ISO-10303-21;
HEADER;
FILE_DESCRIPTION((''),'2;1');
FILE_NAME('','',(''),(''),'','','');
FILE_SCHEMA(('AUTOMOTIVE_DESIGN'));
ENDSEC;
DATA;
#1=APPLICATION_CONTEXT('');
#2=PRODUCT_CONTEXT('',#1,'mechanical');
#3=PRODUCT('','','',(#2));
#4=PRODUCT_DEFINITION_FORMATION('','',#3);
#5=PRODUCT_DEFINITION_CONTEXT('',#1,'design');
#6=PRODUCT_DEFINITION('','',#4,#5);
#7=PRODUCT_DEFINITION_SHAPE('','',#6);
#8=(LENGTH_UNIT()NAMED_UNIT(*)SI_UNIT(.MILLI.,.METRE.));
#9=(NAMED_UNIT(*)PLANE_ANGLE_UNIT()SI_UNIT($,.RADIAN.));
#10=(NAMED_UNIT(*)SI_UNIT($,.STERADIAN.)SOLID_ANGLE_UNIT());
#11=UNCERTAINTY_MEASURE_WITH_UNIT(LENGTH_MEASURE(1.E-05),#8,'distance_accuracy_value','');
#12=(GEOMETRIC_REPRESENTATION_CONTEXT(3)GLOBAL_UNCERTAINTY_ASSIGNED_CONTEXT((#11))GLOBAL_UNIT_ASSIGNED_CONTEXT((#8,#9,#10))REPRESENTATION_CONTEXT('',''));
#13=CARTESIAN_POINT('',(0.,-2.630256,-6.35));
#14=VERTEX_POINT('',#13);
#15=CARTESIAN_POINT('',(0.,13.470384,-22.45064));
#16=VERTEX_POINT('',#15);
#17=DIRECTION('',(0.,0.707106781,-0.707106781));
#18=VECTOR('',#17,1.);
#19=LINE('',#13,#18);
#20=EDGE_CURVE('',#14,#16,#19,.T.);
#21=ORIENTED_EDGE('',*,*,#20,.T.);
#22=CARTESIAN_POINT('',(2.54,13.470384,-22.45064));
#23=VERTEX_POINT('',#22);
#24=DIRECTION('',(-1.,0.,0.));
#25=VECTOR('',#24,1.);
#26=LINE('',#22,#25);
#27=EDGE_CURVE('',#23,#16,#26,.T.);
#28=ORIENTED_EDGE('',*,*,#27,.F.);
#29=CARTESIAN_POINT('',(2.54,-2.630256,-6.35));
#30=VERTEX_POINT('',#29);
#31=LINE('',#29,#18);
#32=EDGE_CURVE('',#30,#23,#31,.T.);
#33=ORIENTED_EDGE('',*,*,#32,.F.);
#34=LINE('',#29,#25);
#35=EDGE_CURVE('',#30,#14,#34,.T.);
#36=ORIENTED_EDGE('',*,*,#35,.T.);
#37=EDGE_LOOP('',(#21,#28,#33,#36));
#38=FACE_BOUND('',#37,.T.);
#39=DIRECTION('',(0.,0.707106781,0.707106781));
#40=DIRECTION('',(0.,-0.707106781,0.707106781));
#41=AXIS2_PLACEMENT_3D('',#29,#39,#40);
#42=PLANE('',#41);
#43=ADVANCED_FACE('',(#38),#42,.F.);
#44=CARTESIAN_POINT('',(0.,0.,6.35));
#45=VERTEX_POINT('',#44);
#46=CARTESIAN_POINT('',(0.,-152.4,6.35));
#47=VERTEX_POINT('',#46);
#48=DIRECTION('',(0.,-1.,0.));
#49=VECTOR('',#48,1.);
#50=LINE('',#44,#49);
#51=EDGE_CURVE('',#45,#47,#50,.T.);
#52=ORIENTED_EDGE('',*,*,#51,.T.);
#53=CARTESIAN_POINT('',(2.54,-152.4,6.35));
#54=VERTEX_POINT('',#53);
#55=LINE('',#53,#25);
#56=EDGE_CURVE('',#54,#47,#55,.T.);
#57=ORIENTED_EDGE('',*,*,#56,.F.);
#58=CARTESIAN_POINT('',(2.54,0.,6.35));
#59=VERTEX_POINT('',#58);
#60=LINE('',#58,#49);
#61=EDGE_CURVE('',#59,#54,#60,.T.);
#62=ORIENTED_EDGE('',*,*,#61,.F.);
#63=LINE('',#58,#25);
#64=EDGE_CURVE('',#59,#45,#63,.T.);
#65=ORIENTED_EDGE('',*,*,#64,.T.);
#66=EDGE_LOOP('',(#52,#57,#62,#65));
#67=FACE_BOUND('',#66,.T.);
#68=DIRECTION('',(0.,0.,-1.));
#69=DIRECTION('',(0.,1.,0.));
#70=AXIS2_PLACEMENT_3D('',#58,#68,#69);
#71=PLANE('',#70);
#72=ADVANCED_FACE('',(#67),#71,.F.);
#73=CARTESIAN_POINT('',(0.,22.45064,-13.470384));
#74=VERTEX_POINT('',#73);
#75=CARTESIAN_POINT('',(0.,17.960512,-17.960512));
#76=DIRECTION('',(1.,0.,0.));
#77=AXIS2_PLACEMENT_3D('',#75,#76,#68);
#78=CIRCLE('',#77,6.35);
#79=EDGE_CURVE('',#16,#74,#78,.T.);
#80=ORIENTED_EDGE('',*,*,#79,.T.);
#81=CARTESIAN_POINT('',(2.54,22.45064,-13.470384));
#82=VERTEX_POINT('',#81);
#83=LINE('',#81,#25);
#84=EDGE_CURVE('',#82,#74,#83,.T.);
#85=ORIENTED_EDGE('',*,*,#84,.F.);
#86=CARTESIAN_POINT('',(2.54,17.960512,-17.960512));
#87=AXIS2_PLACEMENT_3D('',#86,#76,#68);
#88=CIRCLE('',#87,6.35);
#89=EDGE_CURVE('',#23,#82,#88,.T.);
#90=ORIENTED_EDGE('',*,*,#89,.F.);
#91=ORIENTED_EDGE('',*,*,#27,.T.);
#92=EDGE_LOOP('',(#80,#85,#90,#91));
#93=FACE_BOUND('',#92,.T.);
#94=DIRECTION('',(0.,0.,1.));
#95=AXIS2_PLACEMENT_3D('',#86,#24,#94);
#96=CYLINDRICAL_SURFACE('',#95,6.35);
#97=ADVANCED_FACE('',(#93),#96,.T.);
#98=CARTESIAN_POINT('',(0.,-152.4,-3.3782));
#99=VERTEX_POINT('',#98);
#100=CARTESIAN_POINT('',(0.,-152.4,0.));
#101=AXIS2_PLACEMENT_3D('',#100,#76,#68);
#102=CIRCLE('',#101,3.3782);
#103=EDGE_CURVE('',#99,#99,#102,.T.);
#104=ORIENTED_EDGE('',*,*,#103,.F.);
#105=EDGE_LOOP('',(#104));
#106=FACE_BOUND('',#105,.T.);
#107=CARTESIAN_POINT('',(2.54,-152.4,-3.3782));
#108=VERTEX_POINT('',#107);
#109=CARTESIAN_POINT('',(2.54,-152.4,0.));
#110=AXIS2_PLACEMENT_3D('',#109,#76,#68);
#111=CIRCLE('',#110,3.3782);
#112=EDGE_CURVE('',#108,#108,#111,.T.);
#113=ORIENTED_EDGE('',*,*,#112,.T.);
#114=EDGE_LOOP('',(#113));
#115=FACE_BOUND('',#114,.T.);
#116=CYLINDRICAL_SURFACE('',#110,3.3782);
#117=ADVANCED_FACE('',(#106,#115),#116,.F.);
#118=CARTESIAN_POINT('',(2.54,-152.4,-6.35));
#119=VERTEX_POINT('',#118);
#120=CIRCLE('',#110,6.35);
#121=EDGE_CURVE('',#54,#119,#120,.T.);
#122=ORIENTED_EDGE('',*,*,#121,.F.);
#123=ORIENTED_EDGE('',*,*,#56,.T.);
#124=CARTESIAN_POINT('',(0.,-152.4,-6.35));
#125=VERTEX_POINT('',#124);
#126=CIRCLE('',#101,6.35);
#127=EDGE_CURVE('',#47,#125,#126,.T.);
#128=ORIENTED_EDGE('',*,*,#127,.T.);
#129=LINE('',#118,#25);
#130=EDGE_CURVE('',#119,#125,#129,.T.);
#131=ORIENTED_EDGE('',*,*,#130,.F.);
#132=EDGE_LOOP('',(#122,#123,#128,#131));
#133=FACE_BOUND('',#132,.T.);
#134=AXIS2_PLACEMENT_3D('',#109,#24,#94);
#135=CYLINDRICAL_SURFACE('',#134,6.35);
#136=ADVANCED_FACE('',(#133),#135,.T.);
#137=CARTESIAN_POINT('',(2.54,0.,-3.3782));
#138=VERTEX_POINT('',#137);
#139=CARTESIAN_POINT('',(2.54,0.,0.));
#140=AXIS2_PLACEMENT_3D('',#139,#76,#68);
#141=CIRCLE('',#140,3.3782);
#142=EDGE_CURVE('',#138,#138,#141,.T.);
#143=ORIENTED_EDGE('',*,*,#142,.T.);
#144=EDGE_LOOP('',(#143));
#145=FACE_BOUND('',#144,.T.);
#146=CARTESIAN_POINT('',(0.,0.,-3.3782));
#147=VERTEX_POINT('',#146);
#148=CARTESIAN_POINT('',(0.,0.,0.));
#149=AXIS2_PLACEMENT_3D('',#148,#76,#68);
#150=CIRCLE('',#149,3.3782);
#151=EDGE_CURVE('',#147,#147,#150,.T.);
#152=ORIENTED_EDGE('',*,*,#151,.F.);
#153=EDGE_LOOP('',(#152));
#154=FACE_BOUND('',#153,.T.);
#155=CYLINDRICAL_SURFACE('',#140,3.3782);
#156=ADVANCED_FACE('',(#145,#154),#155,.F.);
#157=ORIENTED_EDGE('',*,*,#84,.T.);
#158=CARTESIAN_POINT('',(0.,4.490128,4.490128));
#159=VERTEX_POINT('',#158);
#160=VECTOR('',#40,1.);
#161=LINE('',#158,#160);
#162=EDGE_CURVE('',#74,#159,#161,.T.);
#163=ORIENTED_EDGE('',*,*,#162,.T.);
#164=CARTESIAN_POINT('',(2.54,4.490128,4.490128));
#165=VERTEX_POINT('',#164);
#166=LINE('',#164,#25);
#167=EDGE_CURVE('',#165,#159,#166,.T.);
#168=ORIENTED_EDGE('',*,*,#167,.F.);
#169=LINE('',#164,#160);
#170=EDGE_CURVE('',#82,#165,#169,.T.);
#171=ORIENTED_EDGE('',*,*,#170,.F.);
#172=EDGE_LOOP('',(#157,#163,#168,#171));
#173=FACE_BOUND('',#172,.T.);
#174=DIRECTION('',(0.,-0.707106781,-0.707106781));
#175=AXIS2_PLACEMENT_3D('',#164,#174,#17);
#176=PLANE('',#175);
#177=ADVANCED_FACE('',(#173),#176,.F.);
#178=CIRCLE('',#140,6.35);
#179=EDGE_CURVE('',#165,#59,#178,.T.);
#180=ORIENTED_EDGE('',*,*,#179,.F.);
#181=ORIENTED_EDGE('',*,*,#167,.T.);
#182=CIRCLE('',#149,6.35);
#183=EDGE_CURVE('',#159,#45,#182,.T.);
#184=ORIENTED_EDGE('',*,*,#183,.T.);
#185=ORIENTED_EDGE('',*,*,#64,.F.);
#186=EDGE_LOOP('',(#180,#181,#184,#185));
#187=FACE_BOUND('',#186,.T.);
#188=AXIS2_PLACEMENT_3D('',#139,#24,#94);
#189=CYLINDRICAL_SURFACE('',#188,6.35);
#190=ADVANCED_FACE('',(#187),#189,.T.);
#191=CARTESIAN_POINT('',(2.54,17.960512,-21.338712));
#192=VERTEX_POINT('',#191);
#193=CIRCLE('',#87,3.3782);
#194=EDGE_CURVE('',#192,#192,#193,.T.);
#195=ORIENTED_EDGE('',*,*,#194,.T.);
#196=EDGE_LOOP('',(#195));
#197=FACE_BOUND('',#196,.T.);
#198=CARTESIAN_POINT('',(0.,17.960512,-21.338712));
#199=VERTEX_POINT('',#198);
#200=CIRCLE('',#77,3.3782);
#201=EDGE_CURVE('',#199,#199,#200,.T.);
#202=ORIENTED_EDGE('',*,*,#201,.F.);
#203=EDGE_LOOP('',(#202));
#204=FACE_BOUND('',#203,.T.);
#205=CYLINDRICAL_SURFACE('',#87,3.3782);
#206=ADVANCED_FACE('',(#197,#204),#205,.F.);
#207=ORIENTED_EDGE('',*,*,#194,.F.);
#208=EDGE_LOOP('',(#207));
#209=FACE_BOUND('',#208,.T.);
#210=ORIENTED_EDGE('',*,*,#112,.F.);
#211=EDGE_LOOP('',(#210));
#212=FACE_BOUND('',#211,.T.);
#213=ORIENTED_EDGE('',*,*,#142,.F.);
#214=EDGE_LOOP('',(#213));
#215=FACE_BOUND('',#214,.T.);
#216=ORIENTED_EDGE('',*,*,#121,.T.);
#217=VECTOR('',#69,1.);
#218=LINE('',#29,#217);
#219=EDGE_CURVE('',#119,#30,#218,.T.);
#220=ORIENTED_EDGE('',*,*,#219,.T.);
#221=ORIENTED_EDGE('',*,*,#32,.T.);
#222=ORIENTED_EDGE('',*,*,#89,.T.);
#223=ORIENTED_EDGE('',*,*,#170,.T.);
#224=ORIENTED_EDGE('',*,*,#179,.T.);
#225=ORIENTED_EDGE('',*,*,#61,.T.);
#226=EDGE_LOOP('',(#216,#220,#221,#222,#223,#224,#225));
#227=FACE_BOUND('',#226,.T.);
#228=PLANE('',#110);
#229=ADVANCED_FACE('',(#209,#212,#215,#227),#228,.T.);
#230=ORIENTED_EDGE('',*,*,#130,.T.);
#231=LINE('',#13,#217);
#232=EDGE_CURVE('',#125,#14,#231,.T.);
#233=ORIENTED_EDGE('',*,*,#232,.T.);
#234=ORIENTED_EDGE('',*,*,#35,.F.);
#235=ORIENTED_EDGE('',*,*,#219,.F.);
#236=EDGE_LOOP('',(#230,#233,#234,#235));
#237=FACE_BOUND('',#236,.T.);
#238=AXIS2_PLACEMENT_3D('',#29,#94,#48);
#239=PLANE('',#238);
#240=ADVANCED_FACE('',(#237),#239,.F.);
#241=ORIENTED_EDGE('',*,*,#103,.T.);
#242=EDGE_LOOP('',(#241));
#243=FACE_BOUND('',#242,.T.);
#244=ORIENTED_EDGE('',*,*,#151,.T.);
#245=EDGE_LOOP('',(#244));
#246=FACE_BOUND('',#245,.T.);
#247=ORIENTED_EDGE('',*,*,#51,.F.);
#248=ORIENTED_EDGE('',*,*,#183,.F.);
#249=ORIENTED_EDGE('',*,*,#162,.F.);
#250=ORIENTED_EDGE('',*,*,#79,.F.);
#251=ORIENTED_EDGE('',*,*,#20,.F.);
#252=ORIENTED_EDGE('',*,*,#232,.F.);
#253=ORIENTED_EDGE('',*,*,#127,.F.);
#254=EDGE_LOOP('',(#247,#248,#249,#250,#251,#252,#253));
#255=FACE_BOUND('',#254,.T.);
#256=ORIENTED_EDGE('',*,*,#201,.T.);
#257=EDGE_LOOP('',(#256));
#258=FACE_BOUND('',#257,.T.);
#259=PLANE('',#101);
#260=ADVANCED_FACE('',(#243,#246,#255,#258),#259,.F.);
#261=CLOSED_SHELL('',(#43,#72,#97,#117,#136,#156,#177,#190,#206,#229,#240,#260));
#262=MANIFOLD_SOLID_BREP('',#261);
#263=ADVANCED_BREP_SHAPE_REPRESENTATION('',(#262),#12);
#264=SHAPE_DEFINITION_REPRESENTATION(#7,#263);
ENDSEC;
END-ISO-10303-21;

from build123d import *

# Parameters (mm, degrees)
BOSS_EXTRUDE1_DEPTH         = 2.54
F_1_4_CLEARANCE_HOLE2_D     = 6.7564
F_1_4_CLEARANCE_HOLE2_DEPTH = 8.382
F_1_4_CLEARANCE_HOLE2_TIP   = 2.029827343


with BuildPart() as part:
    # Sketch1 → Boss-Extrude1 (new body)
    with BuildSketch(Plane(origin=(0, 0, 0), x_dir=(0, 0, -1), z_dir=(1, 0, 0))):
        with BuildLine():
            Line((6.35, -2.630256121), (6.35, -152.4))
            ThreePointArc((6.35, -152.4), (0, -158.75), (-6.35, -152.4))
            Line((-6.35, -152.4), (-6.35, 0))
            ThreePointArc((-6.35, 0), (-5.866635031, 2.430039796), (-4.490128061, 4.490128061))
            Line((-4.490128061, 4.490128061), (13.470384182, 22.450640303))
            ThreePointArc((13.470384182, 22.450640303), (22.450640303, 22.450640303), (22.450640303, 13.470384182))
            Line((22.450640303, 13.470384182), (6.35, -2.630256121))
        make_face()
    extrude(amount=BOSS_EXTRUDE1_DEPTH)

    # 1/4 Clearance Hole2
    with Locations(Plane(origin=(2.54, 0, 0), x_dir=(0, 0, -1), z_dir=(1, 0, 0))):
        with Locations((0, 0), (0, -152.4), (17.960512242, 17.960512242)):
            Hole(F_1_4_CLEARANCE_HOLE2_D / 2, depth=F_1_4_CLEARANCE_HOLE2_DEPTH)
            with Locations((0, 0, -(F_1_4_CLEARANCE_HOLE2_DEPTH + F_1_4_CLEARANCE_HOLE2_TIP / 2))):  # 118° drill point
                Cone(0, F_1_4_CLEARANCE_HOLE2_D / 2, F_1_4_CLEARANCE_HOLE2_TIP, mode=Mode.SUBTRACT)


solid = part.part
